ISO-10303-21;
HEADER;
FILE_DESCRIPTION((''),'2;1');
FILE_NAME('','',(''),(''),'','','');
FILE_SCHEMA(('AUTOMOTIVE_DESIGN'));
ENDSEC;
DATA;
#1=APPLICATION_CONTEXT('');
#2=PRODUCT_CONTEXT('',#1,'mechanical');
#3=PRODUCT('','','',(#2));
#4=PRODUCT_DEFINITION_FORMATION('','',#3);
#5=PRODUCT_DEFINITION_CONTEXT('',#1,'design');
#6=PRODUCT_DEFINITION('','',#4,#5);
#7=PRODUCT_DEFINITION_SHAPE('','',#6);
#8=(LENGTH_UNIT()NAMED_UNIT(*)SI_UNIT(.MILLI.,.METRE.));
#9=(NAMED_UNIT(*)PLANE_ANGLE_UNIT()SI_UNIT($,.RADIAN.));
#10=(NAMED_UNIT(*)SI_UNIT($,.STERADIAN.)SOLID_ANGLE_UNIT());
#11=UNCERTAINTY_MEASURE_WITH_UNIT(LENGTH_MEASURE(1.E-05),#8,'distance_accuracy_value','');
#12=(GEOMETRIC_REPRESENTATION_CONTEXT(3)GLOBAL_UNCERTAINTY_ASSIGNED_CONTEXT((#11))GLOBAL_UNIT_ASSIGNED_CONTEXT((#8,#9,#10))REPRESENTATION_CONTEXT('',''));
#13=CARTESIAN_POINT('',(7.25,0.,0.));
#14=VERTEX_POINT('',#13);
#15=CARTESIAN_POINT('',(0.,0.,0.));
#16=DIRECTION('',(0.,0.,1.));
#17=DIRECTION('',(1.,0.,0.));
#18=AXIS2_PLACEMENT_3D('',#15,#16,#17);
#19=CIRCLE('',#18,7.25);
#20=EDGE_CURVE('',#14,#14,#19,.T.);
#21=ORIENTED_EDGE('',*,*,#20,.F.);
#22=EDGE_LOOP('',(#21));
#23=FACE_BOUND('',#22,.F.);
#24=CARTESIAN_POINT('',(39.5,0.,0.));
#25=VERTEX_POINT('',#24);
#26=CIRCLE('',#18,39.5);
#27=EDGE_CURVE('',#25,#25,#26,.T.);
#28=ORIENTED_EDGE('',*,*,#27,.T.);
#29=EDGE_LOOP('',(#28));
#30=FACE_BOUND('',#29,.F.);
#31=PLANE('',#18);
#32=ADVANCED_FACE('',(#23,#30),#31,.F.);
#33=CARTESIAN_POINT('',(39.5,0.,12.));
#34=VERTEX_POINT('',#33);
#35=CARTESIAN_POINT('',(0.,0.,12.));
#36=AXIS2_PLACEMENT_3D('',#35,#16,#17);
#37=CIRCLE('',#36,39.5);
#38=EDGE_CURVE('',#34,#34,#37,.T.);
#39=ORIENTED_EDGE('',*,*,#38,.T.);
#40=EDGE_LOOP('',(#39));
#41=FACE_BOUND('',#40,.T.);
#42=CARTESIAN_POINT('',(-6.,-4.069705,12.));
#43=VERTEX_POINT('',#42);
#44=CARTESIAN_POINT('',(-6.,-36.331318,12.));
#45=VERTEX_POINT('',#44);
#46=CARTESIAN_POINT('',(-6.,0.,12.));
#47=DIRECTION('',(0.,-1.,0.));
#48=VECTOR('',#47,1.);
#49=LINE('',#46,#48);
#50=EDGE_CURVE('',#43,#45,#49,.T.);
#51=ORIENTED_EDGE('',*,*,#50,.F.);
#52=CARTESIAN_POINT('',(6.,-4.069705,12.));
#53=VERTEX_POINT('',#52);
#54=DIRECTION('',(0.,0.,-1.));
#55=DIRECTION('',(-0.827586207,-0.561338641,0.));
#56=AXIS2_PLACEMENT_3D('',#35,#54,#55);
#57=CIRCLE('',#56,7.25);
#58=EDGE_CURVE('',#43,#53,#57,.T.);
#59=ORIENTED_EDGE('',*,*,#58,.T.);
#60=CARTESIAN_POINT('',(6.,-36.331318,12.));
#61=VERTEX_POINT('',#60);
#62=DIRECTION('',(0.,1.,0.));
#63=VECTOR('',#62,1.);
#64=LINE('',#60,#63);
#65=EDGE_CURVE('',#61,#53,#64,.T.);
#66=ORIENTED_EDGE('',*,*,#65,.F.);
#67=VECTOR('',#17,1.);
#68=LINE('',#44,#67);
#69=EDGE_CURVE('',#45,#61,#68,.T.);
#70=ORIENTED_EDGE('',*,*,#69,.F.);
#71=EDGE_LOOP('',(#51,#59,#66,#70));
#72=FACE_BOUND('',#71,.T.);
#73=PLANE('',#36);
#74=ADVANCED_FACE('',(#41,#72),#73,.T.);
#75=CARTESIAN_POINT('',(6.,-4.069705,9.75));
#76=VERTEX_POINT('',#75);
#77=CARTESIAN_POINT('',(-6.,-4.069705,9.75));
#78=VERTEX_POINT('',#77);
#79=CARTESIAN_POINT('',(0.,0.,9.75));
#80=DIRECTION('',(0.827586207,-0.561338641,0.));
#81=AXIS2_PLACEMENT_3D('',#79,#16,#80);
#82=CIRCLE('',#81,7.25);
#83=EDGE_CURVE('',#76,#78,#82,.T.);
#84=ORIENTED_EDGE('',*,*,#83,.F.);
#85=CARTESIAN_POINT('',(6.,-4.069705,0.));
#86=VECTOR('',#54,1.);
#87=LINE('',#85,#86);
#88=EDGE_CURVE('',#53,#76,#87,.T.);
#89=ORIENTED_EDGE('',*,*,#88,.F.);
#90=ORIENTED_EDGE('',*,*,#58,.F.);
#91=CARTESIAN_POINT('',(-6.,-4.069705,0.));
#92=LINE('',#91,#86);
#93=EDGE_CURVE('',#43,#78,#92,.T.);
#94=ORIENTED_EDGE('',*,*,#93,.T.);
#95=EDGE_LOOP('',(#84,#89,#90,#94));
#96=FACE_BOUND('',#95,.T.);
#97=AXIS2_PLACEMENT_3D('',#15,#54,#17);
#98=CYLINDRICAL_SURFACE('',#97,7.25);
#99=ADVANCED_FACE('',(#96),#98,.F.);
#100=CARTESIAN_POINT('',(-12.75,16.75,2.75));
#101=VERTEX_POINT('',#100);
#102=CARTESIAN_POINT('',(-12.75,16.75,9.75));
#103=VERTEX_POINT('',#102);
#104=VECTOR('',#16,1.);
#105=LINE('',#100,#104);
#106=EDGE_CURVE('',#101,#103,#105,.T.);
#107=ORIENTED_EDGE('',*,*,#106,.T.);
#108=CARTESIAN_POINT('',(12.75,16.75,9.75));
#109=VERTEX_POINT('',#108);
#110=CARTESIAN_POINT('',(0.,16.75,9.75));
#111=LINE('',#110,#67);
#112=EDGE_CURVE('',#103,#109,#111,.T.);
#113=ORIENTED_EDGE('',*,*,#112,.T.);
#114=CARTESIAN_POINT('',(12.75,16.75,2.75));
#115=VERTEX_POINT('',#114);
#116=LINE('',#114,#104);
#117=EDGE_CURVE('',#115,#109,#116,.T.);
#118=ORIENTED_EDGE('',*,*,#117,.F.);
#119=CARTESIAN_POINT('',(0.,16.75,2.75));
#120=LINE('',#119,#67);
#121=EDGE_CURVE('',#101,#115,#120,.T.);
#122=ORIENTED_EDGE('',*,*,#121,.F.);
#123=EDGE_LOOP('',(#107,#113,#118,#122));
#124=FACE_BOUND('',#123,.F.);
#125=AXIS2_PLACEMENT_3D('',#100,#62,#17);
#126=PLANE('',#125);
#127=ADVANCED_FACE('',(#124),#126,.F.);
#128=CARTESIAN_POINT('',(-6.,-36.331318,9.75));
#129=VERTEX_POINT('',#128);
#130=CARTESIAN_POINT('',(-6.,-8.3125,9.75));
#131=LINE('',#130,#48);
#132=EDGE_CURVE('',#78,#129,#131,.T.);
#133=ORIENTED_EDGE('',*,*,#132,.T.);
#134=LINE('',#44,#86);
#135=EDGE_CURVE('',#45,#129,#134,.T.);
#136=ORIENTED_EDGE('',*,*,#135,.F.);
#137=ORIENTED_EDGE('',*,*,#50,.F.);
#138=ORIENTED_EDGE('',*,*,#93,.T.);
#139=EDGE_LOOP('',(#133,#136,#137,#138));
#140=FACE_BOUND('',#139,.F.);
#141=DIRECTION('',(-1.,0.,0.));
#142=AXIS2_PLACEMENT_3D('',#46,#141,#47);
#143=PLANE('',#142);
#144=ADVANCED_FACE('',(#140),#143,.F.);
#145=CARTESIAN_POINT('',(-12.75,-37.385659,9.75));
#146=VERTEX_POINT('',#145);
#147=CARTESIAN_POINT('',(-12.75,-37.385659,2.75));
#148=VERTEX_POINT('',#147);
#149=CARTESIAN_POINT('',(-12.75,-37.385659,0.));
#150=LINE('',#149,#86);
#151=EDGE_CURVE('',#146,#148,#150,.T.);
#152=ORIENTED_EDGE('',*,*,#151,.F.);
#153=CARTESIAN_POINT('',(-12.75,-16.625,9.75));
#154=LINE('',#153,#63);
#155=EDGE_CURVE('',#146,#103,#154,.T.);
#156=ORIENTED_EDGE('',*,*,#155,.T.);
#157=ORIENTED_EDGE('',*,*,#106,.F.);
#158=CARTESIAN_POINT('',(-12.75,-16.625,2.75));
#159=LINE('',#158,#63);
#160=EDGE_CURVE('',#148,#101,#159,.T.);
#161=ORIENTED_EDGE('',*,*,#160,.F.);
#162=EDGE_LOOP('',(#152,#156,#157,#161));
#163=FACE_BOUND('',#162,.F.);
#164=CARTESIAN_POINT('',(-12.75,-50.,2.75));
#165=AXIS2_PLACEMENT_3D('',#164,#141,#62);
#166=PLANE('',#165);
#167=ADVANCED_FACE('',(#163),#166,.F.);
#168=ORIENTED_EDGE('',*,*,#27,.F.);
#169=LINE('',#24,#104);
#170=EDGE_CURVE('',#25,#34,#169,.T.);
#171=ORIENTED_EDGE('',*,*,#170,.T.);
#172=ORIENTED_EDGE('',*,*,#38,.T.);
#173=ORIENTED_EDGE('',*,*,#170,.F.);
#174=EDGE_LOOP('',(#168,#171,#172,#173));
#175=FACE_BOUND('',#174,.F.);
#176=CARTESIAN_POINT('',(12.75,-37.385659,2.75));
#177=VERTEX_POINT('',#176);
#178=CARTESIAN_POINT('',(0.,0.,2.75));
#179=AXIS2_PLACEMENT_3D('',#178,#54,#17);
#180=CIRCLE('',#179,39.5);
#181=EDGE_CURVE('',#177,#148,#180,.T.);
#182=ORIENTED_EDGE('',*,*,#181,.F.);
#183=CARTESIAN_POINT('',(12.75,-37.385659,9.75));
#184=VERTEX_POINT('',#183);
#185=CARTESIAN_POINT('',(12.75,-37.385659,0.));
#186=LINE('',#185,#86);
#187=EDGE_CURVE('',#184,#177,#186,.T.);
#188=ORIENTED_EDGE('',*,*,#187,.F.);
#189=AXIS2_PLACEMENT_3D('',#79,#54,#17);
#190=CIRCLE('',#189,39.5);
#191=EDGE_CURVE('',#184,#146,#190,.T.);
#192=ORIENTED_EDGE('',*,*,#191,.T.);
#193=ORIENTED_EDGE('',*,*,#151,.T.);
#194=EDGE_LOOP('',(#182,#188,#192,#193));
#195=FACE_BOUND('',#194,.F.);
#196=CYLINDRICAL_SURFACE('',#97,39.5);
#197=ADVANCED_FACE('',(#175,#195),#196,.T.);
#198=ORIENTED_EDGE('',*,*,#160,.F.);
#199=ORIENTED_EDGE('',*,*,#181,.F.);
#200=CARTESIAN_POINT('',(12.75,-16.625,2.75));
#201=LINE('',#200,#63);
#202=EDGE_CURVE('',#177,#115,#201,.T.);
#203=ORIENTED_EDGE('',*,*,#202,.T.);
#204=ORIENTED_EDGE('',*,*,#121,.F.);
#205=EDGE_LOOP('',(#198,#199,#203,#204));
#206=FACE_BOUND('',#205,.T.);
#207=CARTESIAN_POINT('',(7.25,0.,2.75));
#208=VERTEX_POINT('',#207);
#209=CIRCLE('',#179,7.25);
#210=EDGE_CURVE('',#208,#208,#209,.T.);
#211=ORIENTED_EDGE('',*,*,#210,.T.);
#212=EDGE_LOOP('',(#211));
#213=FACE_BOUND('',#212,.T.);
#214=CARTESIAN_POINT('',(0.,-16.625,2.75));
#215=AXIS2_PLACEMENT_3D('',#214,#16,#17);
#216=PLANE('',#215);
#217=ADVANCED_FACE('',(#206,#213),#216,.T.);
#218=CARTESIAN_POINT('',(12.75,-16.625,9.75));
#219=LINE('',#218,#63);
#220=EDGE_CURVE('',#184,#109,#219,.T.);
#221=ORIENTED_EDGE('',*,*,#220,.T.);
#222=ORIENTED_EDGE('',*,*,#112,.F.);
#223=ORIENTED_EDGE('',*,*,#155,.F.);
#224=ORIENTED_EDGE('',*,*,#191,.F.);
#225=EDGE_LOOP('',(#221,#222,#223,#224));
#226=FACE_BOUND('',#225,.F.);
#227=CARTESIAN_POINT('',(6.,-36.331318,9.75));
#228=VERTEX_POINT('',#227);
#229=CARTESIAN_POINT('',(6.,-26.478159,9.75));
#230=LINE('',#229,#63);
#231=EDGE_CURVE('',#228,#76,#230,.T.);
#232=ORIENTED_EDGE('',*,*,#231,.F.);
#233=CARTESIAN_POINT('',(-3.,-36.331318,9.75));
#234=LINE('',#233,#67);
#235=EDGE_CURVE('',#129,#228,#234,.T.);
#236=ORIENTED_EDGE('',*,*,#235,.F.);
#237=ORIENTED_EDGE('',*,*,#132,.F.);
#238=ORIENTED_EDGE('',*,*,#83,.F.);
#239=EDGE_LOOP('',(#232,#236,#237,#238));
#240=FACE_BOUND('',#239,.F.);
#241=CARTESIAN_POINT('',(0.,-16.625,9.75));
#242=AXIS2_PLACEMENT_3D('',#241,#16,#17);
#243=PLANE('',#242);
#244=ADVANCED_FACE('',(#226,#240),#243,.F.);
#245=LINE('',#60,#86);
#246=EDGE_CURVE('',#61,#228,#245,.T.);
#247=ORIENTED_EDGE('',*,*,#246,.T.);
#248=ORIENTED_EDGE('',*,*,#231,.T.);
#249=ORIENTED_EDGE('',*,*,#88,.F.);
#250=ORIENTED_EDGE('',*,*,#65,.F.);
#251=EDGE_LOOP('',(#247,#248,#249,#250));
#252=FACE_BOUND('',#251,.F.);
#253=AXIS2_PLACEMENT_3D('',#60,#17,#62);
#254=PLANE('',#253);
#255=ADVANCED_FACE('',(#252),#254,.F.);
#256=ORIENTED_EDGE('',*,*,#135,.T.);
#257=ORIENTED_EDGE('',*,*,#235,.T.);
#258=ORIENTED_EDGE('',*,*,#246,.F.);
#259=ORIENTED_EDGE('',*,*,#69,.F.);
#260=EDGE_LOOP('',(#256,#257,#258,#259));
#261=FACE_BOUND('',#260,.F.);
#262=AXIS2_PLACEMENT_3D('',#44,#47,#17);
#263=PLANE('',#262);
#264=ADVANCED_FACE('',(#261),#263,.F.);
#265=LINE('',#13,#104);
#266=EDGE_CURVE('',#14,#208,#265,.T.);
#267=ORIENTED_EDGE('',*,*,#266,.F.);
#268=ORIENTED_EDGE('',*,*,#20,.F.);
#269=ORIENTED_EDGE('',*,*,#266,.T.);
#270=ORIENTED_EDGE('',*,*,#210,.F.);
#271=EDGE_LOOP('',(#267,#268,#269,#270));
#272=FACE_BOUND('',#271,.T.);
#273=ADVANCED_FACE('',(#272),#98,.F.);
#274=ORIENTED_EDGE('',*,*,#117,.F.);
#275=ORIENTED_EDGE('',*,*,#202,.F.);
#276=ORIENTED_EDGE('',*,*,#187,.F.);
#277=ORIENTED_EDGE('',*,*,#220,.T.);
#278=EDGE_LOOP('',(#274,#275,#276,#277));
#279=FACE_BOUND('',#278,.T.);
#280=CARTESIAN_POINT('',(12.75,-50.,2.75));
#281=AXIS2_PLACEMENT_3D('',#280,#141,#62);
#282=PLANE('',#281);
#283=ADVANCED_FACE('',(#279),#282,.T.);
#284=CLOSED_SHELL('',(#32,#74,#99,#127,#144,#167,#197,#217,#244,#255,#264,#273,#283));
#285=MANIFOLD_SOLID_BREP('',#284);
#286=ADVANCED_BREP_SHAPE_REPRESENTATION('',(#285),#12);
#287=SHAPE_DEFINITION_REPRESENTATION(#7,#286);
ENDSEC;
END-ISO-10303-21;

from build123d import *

# Parameters (mm, degrees)
F0_R     = 39.5
F0_R_2   = 7.25
F1_DEPTH = 12
F4_W     = 25.5
F4_H     = 66.75
F5_DEPTH = 7
F7_DEPTH = 5


with BuildPart() as f1:
    # F0 (on Top) → F1 (new body)
    with BuildSketch(Plane.XY):
        Circle(F0_R)
        Circle(F0_R_2, mode=Mode.SUBTRACT)
    extrude(amount=F1_DEPTH)

    # F4 (on offset) → F5 (cut)
    with BuildSketch(Plane.XY.offset(2.75)):
        with Locations((0, -16.625)):
            Rectangle(F4_W, F4_H)
    extrude(amount=F5_DEPTH, mode=Mode.SUBTRACT)

    # F6 (on face) → F7 (cut)
    with BuildSketch(Plane.XY.offset(12)):
        with BuildLine():
            Line((6, -36.331318), (6, 0))
            ThreePointArc((6, 0), (0, 6), (-6, 0))
            Line((-6, 0), (-6, -36.331318))
            Line((-6, -36.331318), (6, -36.331318))
        make_face()
    extrude(amount=-F7_DEPTH, mode=Mode.SUBTRACT)


solid = f1.part
